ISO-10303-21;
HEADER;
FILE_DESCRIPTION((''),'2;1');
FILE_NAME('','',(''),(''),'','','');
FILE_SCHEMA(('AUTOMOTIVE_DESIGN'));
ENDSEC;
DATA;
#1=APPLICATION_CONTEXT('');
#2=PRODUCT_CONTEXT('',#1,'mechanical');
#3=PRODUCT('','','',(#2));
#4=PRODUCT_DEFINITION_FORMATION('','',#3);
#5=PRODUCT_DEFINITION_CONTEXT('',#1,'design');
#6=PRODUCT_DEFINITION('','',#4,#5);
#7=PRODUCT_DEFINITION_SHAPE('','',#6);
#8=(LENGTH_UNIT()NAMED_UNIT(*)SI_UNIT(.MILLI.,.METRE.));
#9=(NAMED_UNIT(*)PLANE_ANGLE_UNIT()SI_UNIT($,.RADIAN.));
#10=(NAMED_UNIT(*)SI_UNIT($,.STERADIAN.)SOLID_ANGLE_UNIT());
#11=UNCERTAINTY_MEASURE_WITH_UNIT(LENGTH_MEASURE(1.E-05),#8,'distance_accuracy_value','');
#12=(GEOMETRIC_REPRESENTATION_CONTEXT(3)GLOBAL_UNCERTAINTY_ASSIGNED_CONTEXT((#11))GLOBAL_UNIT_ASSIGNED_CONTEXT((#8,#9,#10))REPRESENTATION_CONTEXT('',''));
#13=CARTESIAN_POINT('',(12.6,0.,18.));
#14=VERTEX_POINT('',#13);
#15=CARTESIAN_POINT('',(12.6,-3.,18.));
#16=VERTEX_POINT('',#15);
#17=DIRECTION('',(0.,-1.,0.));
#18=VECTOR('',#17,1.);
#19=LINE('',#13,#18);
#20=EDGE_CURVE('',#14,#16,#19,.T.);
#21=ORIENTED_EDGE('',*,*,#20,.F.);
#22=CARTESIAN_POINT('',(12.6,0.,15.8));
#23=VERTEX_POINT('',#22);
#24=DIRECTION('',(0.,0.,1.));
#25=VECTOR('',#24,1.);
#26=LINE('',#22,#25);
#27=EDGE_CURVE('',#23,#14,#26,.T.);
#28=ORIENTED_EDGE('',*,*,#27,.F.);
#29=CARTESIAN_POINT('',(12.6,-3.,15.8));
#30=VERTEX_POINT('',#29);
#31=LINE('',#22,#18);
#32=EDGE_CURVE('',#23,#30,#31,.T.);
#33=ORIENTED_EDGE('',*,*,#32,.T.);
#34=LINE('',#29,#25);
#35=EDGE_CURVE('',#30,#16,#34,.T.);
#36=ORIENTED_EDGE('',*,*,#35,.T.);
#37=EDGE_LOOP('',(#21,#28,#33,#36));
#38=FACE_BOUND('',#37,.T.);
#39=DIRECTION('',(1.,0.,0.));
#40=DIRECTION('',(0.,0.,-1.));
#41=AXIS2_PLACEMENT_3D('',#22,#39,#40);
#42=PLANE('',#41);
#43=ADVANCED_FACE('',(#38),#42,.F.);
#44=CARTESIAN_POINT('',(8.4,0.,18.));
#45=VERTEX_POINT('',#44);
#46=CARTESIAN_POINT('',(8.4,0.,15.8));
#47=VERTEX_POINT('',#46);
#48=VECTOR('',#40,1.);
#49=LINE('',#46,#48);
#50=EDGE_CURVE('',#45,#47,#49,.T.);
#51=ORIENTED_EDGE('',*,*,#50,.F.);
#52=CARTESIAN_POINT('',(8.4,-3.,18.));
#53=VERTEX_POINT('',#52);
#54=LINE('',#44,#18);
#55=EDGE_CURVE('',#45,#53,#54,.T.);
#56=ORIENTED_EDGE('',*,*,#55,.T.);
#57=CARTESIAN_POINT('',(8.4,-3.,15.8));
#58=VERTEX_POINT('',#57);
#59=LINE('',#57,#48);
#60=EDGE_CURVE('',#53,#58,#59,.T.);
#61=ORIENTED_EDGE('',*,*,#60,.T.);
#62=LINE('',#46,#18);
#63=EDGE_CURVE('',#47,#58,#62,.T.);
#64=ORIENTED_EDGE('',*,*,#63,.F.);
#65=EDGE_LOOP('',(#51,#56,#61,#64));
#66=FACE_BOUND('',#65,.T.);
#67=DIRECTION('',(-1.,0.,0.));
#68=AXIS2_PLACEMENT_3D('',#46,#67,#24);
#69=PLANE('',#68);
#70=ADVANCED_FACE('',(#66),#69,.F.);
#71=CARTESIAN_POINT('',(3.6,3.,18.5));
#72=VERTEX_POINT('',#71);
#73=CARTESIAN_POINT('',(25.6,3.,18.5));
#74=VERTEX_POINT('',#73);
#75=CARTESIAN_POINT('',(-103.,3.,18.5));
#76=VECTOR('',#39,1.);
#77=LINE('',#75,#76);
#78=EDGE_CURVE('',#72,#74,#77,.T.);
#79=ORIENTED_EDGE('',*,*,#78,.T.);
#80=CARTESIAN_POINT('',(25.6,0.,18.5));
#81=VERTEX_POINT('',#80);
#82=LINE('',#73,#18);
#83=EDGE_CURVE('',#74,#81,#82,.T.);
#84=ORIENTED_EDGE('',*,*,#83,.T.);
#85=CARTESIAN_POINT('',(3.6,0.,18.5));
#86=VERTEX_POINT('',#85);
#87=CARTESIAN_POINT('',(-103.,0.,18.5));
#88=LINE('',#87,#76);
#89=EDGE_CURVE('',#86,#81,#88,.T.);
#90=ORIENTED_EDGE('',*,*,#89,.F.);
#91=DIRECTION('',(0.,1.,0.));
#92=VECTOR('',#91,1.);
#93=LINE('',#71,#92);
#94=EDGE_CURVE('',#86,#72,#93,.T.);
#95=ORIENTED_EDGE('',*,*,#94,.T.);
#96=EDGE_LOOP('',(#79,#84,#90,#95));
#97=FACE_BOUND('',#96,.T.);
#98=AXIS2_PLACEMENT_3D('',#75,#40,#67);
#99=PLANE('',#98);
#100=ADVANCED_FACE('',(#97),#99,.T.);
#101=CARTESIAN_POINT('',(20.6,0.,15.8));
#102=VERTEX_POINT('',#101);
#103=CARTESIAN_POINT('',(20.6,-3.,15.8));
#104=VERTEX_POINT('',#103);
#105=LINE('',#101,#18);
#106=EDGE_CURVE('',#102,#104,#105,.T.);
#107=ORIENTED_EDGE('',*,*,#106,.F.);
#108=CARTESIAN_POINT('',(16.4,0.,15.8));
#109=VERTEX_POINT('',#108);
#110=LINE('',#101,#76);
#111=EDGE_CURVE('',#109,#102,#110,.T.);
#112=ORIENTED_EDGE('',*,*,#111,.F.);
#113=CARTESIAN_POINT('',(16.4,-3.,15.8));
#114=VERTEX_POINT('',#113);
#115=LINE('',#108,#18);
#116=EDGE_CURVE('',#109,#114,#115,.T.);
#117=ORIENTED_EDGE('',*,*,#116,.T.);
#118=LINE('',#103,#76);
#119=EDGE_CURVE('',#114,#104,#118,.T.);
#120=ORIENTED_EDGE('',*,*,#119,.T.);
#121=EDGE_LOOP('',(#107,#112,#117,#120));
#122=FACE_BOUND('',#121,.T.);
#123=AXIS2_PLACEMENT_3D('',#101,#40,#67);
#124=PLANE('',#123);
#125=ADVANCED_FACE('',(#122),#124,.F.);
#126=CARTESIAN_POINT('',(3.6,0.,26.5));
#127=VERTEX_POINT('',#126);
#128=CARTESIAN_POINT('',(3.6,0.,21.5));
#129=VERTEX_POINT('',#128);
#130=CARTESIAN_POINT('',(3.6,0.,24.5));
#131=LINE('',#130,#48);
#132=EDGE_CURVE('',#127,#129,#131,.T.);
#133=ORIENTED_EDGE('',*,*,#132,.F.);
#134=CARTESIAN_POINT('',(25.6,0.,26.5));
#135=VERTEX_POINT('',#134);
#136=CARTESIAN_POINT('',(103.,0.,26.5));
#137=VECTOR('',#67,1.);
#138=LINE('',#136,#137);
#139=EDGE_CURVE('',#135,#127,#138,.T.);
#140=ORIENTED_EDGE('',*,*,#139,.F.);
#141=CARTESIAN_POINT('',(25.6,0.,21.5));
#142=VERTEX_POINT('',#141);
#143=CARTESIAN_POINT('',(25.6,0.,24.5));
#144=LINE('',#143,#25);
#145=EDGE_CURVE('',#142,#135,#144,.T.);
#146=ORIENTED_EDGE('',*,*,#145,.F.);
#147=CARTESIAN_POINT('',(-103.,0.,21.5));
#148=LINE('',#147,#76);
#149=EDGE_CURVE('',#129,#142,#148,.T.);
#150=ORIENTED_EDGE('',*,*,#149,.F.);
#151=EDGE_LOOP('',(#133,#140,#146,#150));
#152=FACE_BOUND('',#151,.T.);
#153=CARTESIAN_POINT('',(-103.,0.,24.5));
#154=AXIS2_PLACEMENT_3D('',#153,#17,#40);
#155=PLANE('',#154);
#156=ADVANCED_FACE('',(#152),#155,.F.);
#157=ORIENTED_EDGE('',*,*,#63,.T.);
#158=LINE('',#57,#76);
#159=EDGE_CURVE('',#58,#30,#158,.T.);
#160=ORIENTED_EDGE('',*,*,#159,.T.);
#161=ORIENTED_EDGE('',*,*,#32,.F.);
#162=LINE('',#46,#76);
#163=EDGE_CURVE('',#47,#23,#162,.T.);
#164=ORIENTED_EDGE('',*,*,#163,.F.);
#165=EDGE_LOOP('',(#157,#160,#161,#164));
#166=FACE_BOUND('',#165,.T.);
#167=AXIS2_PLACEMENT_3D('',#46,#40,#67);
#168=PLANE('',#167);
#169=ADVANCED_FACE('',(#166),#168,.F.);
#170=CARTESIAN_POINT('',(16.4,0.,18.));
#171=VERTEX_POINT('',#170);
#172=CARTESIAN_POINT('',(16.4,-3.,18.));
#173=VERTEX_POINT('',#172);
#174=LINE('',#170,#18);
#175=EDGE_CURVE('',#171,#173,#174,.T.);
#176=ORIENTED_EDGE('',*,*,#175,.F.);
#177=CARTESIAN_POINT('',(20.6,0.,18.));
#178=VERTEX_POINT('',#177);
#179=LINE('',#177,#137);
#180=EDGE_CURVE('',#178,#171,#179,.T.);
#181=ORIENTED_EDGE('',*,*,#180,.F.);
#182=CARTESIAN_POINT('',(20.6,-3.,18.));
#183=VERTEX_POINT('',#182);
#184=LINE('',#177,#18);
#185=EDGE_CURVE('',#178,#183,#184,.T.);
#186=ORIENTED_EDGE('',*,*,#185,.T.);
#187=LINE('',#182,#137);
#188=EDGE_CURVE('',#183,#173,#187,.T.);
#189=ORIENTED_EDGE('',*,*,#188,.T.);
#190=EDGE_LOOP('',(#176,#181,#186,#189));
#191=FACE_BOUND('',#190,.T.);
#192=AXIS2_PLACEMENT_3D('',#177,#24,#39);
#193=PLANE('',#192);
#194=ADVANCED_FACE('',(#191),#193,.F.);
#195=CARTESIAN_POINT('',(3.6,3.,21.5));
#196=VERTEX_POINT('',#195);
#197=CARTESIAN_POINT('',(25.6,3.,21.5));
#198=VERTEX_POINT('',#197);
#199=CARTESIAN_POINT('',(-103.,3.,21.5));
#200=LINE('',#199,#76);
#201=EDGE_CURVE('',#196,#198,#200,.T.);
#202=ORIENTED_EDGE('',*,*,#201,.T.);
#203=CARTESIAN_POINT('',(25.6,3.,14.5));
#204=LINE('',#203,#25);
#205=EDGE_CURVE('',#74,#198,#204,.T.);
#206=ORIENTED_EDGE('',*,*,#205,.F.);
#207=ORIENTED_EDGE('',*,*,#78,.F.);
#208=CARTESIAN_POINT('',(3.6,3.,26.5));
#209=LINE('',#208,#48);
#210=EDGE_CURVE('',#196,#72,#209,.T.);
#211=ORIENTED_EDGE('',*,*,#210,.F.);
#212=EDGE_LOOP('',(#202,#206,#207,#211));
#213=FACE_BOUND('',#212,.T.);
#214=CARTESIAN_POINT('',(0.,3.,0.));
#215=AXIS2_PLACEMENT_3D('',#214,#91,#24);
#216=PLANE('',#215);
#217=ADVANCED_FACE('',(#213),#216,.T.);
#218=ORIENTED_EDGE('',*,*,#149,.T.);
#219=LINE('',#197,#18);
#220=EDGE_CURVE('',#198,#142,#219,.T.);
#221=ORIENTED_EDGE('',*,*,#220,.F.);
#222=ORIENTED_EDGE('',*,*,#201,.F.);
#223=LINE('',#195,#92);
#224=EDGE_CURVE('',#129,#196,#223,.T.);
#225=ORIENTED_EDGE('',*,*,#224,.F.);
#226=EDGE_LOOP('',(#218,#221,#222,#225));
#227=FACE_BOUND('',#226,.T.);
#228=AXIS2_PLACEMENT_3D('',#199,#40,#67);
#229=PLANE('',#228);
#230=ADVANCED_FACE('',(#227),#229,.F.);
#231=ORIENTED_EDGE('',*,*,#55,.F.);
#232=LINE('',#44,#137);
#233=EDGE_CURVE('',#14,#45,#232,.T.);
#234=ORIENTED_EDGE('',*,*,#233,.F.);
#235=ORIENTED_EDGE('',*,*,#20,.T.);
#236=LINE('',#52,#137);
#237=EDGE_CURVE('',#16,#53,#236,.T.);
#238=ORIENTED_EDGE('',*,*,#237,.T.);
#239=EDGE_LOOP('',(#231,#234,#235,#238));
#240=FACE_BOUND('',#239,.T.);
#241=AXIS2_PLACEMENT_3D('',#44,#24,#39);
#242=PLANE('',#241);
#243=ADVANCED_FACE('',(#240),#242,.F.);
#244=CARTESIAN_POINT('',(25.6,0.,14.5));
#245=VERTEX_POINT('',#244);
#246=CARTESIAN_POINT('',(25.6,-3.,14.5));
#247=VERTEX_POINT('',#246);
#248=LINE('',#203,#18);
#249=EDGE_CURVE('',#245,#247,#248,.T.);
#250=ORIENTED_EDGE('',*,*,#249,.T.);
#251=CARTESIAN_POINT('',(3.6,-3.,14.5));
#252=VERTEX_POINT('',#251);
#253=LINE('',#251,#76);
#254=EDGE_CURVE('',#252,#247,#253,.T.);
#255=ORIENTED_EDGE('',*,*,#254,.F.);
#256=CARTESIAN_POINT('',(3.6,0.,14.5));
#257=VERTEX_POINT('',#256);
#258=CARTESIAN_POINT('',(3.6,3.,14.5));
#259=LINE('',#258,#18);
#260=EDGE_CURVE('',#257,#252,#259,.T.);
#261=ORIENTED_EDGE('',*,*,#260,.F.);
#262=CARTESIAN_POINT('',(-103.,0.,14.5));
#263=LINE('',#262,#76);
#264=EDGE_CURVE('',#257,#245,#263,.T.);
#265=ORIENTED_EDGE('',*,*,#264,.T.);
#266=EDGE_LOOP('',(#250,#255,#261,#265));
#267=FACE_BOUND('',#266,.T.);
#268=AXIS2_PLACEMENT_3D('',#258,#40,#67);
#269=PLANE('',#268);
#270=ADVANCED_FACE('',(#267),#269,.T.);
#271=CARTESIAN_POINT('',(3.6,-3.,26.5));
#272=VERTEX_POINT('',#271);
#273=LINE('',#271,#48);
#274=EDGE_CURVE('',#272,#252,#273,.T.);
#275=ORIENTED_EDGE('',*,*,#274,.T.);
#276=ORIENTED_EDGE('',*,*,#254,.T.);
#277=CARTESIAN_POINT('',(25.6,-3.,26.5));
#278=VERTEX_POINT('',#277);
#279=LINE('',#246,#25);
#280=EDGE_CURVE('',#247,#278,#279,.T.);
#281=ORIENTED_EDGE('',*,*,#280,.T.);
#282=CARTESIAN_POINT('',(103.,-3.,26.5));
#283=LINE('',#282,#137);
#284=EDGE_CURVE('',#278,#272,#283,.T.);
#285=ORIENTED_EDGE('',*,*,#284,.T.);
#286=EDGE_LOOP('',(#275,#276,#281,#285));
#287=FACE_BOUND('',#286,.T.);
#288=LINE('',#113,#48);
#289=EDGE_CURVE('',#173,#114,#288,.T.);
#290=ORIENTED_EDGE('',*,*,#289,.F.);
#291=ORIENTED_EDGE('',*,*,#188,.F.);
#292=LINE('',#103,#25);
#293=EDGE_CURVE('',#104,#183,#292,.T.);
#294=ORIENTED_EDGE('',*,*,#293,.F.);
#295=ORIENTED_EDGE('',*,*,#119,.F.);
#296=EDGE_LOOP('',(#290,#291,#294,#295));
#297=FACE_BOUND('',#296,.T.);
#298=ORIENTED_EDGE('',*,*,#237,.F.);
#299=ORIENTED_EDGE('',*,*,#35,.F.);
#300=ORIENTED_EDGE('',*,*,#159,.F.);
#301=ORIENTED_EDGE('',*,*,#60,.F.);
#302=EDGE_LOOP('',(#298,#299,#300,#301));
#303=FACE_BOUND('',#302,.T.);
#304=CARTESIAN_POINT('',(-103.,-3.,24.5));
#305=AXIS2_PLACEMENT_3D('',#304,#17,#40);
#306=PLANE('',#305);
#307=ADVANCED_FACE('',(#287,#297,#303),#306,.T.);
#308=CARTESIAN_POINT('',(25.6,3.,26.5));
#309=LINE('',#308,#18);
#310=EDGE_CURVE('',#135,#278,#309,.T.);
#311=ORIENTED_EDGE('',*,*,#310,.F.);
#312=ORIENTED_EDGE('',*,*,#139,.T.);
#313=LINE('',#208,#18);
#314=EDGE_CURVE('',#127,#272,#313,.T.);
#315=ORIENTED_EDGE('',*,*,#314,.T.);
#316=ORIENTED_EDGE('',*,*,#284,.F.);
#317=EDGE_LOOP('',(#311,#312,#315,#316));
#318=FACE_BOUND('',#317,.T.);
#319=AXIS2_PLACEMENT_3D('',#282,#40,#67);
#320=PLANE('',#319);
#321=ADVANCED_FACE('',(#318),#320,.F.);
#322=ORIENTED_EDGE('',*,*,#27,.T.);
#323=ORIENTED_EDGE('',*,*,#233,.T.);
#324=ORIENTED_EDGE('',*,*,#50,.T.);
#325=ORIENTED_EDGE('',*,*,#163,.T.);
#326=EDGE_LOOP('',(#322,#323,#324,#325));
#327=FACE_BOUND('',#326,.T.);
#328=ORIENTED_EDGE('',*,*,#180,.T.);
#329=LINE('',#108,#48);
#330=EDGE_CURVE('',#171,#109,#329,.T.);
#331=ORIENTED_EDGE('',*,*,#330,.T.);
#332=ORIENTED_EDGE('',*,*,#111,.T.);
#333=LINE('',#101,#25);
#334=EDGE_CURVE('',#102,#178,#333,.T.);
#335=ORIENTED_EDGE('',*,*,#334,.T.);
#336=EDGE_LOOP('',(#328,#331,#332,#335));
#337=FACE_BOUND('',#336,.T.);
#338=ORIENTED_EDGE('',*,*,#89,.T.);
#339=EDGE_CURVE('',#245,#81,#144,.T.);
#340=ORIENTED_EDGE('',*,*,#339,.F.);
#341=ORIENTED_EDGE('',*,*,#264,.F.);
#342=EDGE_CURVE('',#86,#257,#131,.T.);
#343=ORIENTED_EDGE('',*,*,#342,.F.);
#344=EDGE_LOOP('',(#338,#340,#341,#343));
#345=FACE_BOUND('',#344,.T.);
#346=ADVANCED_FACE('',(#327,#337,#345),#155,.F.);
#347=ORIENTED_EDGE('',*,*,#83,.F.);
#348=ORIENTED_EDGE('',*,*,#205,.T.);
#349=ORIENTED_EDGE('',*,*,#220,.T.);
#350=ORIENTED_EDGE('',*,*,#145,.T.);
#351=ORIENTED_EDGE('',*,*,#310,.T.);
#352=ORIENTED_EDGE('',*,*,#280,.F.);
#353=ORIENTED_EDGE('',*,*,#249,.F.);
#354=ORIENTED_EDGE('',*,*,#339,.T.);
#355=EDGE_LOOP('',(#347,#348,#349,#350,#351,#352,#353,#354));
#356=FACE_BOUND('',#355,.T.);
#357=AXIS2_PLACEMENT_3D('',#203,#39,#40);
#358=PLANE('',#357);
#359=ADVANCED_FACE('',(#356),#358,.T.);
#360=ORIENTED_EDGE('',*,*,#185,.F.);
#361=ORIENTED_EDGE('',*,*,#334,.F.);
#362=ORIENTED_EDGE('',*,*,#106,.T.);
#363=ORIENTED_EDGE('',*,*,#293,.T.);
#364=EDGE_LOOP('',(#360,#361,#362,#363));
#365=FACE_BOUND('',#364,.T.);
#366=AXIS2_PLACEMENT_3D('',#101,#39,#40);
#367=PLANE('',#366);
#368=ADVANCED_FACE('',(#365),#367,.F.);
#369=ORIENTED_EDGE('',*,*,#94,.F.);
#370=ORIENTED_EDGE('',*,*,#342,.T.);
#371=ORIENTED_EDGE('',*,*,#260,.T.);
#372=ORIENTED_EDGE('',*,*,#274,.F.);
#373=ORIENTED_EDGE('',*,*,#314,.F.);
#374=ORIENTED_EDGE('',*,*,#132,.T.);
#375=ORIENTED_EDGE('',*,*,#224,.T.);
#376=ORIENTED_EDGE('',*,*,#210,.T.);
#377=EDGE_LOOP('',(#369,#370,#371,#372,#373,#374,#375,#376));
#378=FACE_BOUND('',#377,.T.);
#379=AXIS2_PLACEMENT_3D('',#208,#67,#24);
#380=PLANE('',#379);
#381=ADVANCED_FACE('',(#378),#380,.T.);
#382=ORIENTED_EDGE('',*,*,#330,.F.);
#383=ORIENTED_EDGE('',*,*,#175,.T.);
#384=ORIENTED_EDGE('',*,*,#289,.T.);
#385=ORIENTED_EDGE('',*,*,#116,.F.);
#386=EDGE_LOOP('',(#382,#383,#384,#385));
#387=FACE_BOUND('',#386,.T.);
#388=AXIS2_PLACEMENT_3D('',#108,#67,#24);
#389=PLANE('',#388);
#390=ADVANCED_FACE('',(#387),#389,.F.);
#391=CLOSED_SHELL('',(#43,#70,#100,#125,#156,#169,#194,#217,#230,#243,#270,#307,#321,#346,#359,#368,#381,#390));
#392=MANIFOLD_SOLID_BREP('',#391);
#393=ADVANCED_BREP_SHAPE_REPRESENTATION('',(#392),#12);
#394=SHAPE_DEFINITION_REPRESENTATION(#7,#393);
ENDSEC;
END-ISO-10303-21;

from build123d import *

# Parameters (mm, degrees)
SKETCH_232_W          = 210
SKETCH_232_H          = 53
EXTRUDE_1_DEPTH       = 50
SKETCH_3_W            = 200
SKETCH_3_H            = 43
CUT_EXTRUDE_1_DEPTH   = 45
SKETCH_4_R            = 3.5
EXTRUDE_2_DEPTH       = 2
EXTRUDE_2_TAPER       = 1
FILLET_2_R            = 0.5
SKETCH_4_5_R          = 3.5
EXTRUDE_3_DEPTH       = 2
SKETCH_4_6_R          = 3.5
EXTRUDE_4_DEPTH       = 2
SKETCH_4_7_R          = 3.5
EXTRUDE_5_DEPTH       = 2
FILLET_3_R            = 0.5
FILLET_4_R            = 0.5
FILLET_5_R            = 0.5
SKETCH_7_R            = 6
CUT_EXTRUDE_2_DEPTH   = 14
CUT_EXTRUDE_2_DRAFT   = -5
FILLET_6_R            = 2
SKETCH_8_R            = 7
EXTRUDE_6_DEPTH       = 7
EXTRUDE_6_TAPER       = 5
SKETCH_9_R            = 5.15
CUT_EXTRUDE_3_DEPTH   = 7
CUT_EXTRUDE_3_DRAFT   = 5
SKETCH_10_W           = 29.4
SKETCH_10_H           = 26.3
CUT_EXTRUDE_4_DEPTH   = 5
SKETCH_13_W           = 39.2
SKETCH_13_H           = 27.5
CUT_EXTRUDE_5_DEPTH   = 2
SKETCH_14_W           = 6
SKETCH_14_H           = 6
CUT_EXTRUDE_6_DEPTH   = 5
FILLET_7_R            = 2
EXTRUDE_8_DEPTH       = 3
SKETCH_18_W           = 200
SKETCH_18_H           = 43
SKETCH_18_W_2         = 194
SKETCH_18_H_2         = 37
EXTRUDE_4672_DEPTH    = 3
SKETCH_21_W           = 4.2
SKETCH_21_H           = 2.2
CUT_EXTRUDE_7_DEPTH   = 3
SKETCH_23_OUTSIDE_W   = 255.334
SKETCH_23_OUTSIDE_H   = 98.334
SKETCH_23_OUTSIDE_W_2 = 22
SKETCH_23_OUTSIDE_H_2 = 12
CUT_EXTRUDE_8_DEPTH   = 6


with BuildPart() as part:
    # Sketch 232 → Бобышка-Вытянуть1 (new body)
    with BuildSketch(Plane(origin=(0, 0, 0), x_dir=(1, 0, 0), z_dir=(0, 1, 0))):
        Rectangle(SKETCH_232_W, SKETCH_232_H)
    extrude(amount=EXTRUDE_1_DEPTH)

    # Эскиз3 → Вырез-Вытянуть1 (cut)
    with BuildSketch(Plane.XZ):
        Rectangle(SKETCH_3_W, SKETCH_3_H)
    extrude(amount=-CUT_EXTRUDE_1_DEPTH, mode=Mode.SUBTRACT)

    # Эскиз4 → Бобышка-Вытянуть2 (add)
    with BuildSketch(Plane(origin=(0, 50, 0), x_dir=(1, 0, 0), z_dir=(0, 1, 0))):
        with Locations((98, 19.5)):
            Circle(SKETCH_4_R)
    extrude(amount=EXTRUDE_2_DEPTH, taper=EXTRUDE_2_TAPER)

    # Скругление2
    fillet_2_edges = [part.edges().sort_by_distance(p)[0] for p in [
        (94.53491013, 52, -19.5),
    ]]
    fillet(fillet_2_edges, radius=FILLET_2_R)

    # Эскиз4<5> → Бобышка-Вытянуть3 (add)
    with BuildSketch(Plane(origin=(0, 50, 0), x_dir=(1, 0, 0), z_dir=(0, 1, 0))):
        with Locations(Location((98, -19.5, 0), (0, 0, 90))):
            Circle(SKETCH_4_5_R)
    extrude(amount=EXTRUDE_3_DEPTH)

    # Эскиз4<6> → Бобышка-Вытянуть4 (add)
    with BuildSketch(Plane(origin=(0, 50, 0), x_dir=(1, 0, 0), z_dir=(0, 1, 0))):
        with Locations(Location((-98, -19.5, 0), (0, 0, 270))):
            Circle(SKETCH_4_6_R)
    extrude(amount=EXTRUDE_4_DEPTH)

    # Эскиз4<7> → Бобышка-Вытянуть5 (add)
    with BuildSketch(Plane(origin=(0, 50, 0), x_dir=(1, 0, 0), z_dir=(0, 1, 0))):
        with Locations(Location((-98, 19.5, 0), (0, 0, 90))):
            Circle(SKETCH_4_7_R)
    extrude(amount=EXTRUDE_5_DEPTH)

    # Скругление3
    fillet_3_edges = [part.edges().sort_by_distance(p)[0] for p in [
        (-98, 52, 16),
    ]]
    fillet(fillet_3_edges, radius=FILLET_3_R)

    # Скругление4
    fillet_4_edges = [part.edges().sort_by_distance(p)[0] for p in [
        (-98, 52, -16),
    ]]
    fillet(fillet_4_edges, radius=FILLET_4_R)

    # Скругление5
    fillet_5_edges = [part.edges().sort_by_distance(p)[0] for p in [
        (98, 52, 23),
    ]]
    fillet(fillet_5_edges, radius=FILLET_5_R)


with BuildPart() as cut_extrude_2_tool:
    # Эскиз7 → Вырез-Вытянуть2 (with draft: the straight prism first)
    with BuildSketch(Plane(origin=(0, 0, -26.5), x_dir=(-1, 0, 0), z_dir=(0, 0, -1))):
        with Locations((0, 35.081888724)):
            Circle(SKETCH_7_R)
    extrude(amount=-CUT_EXTRUDE_2_DEPTH)
    # Вырез-Вытянуть2: the draft: its side faces are tilted about the plane it starts from
    cut_extrude_2_sides = [cut_extrude_2_tool.faces().sort_by_distance(p)[0] for p in [
        (6, 35.081888724, -19.5),
    ]]
    draft(cut_extrude_2_sides, Plane(origin=(0, 0, -26.5), x_dir=(-1, 0, 0), z_dir=(0, 0, -1)), CUT_EXTRUDE_2_DRAFT)


with BuildPart() as part_1:
    add(part.part)

    # Вырез-Вытянуть2: cut by cut_extrude_2_tool
    add(cut_extrude_2_tool.part, mode=Mode.SUBTRACT)

    # Скругление6
    fillet_6_edges = [part_1.edges().sort_by_distance(p)[0] for p in [
        (6, 35.081888724, -26.5),
    ]]
    fillet(fillet_6_edges, radius=FILLET_6_R)

    # Эскиз8 → Бобышка-Вытянуть6 (add)
    with BuildSketch(Plane.XY.offset(-21.5)):
        with Locations((0, 35.081888724)):
            Circle(SKETCH_8_R)
    extrude(amount=EXTRUDE_6_DEPTH, taper=EXTRUDE_6_TAPER)


with BuildPart() as cut_extrude_3_tool:
    # Эскиз9 → Вырез-Вытянуть3 (with draft: the straight prism first)
    with BuildSketch(Plane.XY.offset(-14.5)):
        with Locations((0, 35.081888724)):
            Circle(SKETCH_9_R)
    extrude(amount=-CUT_EXTRUDE_3_DEPTH)
    # Вырез-Вытянуть3: the draft: its side faces are tilted about the plane it starts from
    cut_extrude_3_sides = [cut_extrude_3_tool.faces().sort_by_distance(p)[0] for p in [
        (-5.15, 35.081888724, -18),
    ]]
    draft(cut_extrude_3_sides, Plane.XY.offset(-14.5), CUT_EXTRUDE_3_DRAFT)


with BuildPart() as part_2:
    add(part_1.part)

    # Вырез-Вытянуть3: cut by cut_extrude_3_tool
    add(cut_extrude_3_tool.part, mode=Mode.SUBTRACT)

    # Эскиз10 → Вырез-Вытянуть4 (cut)
    with BuildSketch(Plane.XY.offset(26.5)):
        with Locations((-50, 25)):
            Rectangle(SKETCH_10_W, SKETCH_10_H)
    extrude(amount=-CUT_EXTRUDE_4_DEPTH, mode=Mode.SUBTRACT)

    # Эскиз13 → Вырез-Вытянуть5 (cut)
    with BuildSketch(Plane(origin=(0, 0, 21.5), x_dir=(-1, 0, 0), z_dir=(0, 0, -1))):
        with Locations((50, 25)):
            Rectangle(SKETCH_13_W, SKETCH_13_H)
    extrude(amount=-CUT_EXTRUDE_5_DEPTH, mode=Mode.SUBTRACT)

    # Эскиз14 → Вырез-Вытянуть6 (cut)
    with BuildSketch(Plane.XY.offset(26.5)):
        with Locations((-76.5, 31.8)):
            Rectangle(SKETCH_14_W, SKETCH_14_H)
        with Locations((-76.5, 18.2)):
            Rectangle(SKETCH_14_W, SKETCH_14_H)
    extrude(amount=-CUT_EXTRUDE_6_DEPTH, mode=Mode.SUBTRACT)

    # Скругление7
    fillet_7_edges = [part_2.edges().sort_by_distance(p)[0] for p in [
        (-105, 50, 0),
        (0, 50, 26.5),
        (105, 50, 0),
        (105, 25, 26.5),
        (-105, 25, 26.5),
        (-105, 25, -26.5),
        (105, 25, -26.5),
        (0, 50, -26.5),
    ]]
    fillet(fillet_7_edges, radius=FILLET_7_R)


with BuildPart() as body_2:
    # Эскиз17 → Бобышка-Вытянуть8 (new body)
    with BuildSketch(Plane.XZ):
        with BuildLine():
            Line((-105, 24.5), (-105, -24.5))
            ThreePointArc((-105, -24.5), (-104.414213562, -25.914213562), (-103, -26.5))
            Line((-103, -26.5), (103, -26.5))
            ThreePointArc((103, -26.5), (104.414213562, -25.914213562), (105, -24.5))
            Line((105, -24.5), (105, 24.5))
            ThreePointArc((105, 24.5), (104.414213562, 25.914213562), (103, 26.5))
            Line((103, 26.5), (-103, 26.5))
            ThreePointArc((-103, 26.5), (-104.414213562, 25.914213562), (-105, 24.5))
        make_face()
    extrude(amount=EXTRUDE_8_DEPTH)

    # Эскиз18 → Extrude 4672 (add)
    with BuildSketch(Plane(origin=(0, 0, 0), x_dir=(1, 0, 0), z_dir=(0, 1, 0))):
        Rectangle(SKETCH_18_W, SKETCH_18_H)
        Rectangle(SKETCH_18_W_2, SKETCH_18_H_2, mode=Mode.SUBTRACT)
    extrude(amount=EXTRUDE_4672_DEPTH)

    # Эскиз21 → Вырез-Вытянуть7 (cut)
    with BuildSketch(Plane.XZ.offset(3)):
        with Locations((10.5, 16.9)):
            Rectangle(SKETCH_21_W, SKETCH_21_H)
        with Locations((18.5, 16.9)):
            Rectangle(SKETCH_21_W, SKETCH_21_H)
    extrude(amount=-CUT_EXTRUDE_7_DEPTH, mode=Mode.SUBTRACT)

    # Эскиз23 outside → Вырез-Вытянуть8 (cut)
    with BuildSketch(Plane.XZ.offset(3)):
        Rectangle(SKETCH_23_OUTSIDE_W, SKETCH_23_OUTSIDE_H)
        with Locations((14.6, 20.5)):
            Rectangle(SKETCH_23_OUTSIDE_W_2, SKETCH_23_OUTSIDE_H_2, mode=Mode.SUBTRACT)
    extrude(amount=-CUT_EXTRUDE_8_DEPTH, mode=Mode.SUBTRACT)


solid = body_2.part
